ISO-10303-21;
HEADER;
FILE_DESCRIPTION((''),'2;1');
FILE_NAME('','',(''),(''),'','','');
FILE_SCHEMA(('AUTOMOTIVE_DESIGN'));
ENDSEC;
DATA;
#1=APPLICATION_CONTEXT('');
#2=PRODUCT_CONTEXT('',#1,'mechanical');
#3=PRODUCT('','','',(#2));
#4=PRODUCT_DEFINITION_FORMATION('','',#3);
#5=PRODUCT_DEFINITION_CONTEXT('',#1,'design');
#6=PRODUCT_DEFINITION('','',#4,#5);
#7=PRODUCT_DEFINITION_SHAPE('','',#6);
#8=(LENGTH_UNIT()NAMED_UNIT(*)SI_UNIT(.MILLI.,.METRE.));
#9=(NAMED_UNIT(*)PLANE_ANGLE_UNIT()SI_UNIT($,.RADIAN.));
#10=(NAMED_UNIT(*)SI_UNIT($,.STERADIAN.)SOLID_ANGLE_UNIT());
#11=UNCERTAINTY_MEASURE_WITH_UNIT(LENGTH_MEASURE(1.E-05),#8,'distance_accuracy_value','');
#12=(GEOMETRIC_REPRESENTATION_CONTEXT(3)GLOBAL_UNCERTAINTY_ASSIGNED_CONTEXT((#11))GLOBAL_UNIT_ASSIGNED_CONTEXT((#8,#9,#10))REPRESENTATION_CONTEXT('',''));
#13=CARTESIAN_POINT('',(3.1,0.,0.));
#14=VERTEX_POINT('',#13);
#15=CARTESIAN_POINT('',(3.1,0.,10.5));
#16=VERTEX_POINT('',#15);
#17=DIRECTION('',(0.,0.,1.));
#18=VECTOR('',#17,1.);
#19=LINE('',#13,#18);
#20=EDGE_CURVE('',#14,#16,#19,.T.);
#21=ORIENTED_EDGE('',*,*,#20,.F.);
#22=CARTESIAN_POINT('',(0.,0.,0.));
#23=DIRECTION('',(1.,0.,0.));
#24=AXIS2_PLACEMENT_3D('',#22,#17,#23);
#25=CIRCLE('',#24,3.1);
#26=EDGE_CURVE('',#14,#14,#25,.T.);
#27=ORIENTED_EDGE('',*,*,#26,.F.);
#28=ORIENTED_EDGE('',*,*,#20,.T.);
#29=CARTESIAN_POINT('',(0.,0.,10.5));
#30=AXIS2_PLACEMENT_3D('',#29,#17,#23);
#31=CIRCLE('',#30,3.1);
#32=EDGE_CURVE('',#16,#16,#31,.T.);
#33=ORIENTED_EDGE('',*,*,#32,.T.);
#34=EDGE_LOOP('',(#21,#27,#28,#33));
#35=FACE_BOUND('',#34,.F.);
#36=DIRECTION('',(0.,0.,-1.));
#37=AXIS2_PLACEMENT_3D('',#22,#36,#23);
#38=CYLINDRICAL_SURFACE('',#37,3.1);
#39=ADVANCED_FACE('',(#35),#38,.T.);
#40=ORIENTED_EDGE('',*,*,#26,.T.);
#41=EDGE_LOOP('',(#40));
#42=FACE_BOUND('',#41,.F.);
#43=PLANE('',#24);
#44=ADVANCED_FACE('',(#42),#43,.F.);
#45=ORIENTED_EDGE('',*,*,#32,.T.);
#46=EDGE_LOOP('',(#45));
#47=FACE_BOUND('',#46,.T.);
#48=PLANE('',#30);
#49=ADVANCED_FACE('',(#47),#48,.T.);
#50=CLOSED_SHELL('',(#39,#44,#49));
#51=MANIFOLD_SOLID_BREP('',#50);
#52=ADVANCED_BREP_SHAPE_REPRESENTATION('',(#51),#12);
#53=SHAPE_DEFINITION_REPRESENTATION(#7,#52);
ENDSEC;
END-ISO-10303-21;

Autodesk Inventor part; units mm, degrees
ref_plane "YZ Plane" through (0, 0, 0) normal (1, 0, 0) x (0, 1, 0)
ref_plane "XZ Plane" through (0, 0, 0) normal (0, 1, 0) x (-1, 0, 0)
ref_plane "XY Plane" through (0, 0, 0) normal (0, 0, 1) x (1, 0, 0)
sketch "Sketch1" plane through (0, 0, 0) normal (0, 0, 1) x (1, 0, 0)
  circle A0 centre (0, 0) radius 3.1
  dimension "d0" = 6.2
extrude "Extrusion1" add sketch "Sketch1" along normal blind 10.5
properties part number "bottom_foot"
